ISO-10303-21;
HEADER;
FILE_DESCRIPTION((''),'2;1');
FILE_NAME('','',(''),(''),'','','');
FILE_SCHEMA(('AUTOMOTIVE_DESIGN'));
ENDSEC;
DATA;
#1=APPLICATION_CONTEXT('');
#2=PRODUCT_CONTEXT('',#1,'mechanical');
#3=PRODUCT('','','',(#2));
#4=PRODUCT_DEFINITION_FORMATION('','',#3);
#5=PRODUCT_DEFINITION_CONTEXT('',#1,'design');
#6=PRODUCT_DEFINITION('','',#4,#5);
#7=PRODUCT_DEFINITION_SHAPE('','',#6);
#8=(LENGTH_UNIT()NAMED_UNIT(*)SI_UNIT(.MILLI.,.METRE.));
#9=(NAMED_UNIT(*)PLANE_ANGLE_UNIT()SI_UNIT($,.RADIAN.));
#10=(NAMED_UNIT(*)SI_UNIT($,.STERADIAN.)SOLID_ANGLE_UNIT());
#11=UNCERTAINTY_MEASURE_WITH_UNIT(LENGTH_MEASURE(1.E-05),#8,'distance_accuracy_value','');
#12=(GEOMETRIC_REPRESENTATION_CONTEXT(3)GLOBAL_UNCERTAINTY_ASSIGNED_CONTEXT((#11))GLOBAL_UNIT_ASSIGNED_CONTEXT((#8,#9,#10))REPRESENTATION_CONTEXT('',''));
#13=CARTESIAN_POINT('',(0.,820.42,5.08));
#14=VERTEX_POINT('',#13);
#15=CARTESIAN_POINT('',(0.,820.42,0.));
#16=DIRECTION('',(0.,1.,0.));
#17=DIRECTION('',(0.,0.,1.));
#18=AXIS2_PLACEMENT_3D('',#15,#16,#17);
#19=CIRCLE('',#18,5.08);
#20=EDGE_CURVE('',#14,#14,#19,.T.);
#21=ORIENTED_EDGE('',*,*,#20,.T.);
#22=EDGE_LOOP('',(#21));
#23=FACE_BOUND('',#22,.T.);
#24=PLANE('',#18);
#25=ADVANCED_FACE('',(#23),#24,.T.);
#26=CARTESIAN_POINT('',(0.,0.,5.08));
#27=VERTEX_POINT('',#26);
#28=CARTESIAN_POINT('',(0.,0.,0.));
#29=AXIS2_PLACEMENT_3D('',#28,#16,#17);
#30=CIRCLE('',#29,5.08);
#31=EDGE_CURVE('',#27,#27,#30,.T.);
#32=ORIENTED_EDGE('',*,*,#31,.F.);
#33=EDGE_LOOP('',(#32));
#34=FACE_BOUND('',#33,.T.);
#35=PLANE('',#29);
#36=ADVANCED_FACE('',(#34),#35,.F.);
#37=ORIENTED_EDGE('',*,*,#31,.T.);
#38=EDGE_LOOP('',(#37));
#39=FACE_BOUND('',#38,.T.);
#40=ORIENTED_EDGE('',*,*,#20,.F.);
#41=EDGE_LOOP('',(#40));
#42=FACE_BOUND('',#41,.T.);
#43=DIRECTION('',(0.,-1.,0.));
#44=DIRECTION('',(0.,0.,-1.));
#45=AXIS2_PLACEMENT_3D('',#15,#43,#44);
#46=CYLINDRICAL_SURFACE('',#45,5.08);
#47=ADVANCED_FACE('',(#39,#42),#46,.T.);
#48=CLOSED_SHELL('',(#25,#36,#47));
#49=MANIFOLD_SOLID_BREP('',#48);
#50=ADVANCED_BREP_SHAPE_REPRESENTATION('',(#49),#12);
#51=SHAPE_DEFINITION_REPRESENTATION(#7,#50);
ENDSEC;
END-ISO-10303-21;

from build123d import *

# Parameters (mm, degrees)
SKETCH1_R           = 5.08
BOSS_EXTRUDE1_DEPTH = 820.42


with BuildPart() as part:
    # Sketch1 → Boss-Extrude1 (new body)
    with BuildSketch(Plane(origin=(0, 0, 0), x_dir=(1, 0, 0), z_dir=(0, 1, 0))):
        Circle(SKETCH1_R)
    extrude(amount=BOSS_EXTRUDE1_DEPTH)


solid = part.part
